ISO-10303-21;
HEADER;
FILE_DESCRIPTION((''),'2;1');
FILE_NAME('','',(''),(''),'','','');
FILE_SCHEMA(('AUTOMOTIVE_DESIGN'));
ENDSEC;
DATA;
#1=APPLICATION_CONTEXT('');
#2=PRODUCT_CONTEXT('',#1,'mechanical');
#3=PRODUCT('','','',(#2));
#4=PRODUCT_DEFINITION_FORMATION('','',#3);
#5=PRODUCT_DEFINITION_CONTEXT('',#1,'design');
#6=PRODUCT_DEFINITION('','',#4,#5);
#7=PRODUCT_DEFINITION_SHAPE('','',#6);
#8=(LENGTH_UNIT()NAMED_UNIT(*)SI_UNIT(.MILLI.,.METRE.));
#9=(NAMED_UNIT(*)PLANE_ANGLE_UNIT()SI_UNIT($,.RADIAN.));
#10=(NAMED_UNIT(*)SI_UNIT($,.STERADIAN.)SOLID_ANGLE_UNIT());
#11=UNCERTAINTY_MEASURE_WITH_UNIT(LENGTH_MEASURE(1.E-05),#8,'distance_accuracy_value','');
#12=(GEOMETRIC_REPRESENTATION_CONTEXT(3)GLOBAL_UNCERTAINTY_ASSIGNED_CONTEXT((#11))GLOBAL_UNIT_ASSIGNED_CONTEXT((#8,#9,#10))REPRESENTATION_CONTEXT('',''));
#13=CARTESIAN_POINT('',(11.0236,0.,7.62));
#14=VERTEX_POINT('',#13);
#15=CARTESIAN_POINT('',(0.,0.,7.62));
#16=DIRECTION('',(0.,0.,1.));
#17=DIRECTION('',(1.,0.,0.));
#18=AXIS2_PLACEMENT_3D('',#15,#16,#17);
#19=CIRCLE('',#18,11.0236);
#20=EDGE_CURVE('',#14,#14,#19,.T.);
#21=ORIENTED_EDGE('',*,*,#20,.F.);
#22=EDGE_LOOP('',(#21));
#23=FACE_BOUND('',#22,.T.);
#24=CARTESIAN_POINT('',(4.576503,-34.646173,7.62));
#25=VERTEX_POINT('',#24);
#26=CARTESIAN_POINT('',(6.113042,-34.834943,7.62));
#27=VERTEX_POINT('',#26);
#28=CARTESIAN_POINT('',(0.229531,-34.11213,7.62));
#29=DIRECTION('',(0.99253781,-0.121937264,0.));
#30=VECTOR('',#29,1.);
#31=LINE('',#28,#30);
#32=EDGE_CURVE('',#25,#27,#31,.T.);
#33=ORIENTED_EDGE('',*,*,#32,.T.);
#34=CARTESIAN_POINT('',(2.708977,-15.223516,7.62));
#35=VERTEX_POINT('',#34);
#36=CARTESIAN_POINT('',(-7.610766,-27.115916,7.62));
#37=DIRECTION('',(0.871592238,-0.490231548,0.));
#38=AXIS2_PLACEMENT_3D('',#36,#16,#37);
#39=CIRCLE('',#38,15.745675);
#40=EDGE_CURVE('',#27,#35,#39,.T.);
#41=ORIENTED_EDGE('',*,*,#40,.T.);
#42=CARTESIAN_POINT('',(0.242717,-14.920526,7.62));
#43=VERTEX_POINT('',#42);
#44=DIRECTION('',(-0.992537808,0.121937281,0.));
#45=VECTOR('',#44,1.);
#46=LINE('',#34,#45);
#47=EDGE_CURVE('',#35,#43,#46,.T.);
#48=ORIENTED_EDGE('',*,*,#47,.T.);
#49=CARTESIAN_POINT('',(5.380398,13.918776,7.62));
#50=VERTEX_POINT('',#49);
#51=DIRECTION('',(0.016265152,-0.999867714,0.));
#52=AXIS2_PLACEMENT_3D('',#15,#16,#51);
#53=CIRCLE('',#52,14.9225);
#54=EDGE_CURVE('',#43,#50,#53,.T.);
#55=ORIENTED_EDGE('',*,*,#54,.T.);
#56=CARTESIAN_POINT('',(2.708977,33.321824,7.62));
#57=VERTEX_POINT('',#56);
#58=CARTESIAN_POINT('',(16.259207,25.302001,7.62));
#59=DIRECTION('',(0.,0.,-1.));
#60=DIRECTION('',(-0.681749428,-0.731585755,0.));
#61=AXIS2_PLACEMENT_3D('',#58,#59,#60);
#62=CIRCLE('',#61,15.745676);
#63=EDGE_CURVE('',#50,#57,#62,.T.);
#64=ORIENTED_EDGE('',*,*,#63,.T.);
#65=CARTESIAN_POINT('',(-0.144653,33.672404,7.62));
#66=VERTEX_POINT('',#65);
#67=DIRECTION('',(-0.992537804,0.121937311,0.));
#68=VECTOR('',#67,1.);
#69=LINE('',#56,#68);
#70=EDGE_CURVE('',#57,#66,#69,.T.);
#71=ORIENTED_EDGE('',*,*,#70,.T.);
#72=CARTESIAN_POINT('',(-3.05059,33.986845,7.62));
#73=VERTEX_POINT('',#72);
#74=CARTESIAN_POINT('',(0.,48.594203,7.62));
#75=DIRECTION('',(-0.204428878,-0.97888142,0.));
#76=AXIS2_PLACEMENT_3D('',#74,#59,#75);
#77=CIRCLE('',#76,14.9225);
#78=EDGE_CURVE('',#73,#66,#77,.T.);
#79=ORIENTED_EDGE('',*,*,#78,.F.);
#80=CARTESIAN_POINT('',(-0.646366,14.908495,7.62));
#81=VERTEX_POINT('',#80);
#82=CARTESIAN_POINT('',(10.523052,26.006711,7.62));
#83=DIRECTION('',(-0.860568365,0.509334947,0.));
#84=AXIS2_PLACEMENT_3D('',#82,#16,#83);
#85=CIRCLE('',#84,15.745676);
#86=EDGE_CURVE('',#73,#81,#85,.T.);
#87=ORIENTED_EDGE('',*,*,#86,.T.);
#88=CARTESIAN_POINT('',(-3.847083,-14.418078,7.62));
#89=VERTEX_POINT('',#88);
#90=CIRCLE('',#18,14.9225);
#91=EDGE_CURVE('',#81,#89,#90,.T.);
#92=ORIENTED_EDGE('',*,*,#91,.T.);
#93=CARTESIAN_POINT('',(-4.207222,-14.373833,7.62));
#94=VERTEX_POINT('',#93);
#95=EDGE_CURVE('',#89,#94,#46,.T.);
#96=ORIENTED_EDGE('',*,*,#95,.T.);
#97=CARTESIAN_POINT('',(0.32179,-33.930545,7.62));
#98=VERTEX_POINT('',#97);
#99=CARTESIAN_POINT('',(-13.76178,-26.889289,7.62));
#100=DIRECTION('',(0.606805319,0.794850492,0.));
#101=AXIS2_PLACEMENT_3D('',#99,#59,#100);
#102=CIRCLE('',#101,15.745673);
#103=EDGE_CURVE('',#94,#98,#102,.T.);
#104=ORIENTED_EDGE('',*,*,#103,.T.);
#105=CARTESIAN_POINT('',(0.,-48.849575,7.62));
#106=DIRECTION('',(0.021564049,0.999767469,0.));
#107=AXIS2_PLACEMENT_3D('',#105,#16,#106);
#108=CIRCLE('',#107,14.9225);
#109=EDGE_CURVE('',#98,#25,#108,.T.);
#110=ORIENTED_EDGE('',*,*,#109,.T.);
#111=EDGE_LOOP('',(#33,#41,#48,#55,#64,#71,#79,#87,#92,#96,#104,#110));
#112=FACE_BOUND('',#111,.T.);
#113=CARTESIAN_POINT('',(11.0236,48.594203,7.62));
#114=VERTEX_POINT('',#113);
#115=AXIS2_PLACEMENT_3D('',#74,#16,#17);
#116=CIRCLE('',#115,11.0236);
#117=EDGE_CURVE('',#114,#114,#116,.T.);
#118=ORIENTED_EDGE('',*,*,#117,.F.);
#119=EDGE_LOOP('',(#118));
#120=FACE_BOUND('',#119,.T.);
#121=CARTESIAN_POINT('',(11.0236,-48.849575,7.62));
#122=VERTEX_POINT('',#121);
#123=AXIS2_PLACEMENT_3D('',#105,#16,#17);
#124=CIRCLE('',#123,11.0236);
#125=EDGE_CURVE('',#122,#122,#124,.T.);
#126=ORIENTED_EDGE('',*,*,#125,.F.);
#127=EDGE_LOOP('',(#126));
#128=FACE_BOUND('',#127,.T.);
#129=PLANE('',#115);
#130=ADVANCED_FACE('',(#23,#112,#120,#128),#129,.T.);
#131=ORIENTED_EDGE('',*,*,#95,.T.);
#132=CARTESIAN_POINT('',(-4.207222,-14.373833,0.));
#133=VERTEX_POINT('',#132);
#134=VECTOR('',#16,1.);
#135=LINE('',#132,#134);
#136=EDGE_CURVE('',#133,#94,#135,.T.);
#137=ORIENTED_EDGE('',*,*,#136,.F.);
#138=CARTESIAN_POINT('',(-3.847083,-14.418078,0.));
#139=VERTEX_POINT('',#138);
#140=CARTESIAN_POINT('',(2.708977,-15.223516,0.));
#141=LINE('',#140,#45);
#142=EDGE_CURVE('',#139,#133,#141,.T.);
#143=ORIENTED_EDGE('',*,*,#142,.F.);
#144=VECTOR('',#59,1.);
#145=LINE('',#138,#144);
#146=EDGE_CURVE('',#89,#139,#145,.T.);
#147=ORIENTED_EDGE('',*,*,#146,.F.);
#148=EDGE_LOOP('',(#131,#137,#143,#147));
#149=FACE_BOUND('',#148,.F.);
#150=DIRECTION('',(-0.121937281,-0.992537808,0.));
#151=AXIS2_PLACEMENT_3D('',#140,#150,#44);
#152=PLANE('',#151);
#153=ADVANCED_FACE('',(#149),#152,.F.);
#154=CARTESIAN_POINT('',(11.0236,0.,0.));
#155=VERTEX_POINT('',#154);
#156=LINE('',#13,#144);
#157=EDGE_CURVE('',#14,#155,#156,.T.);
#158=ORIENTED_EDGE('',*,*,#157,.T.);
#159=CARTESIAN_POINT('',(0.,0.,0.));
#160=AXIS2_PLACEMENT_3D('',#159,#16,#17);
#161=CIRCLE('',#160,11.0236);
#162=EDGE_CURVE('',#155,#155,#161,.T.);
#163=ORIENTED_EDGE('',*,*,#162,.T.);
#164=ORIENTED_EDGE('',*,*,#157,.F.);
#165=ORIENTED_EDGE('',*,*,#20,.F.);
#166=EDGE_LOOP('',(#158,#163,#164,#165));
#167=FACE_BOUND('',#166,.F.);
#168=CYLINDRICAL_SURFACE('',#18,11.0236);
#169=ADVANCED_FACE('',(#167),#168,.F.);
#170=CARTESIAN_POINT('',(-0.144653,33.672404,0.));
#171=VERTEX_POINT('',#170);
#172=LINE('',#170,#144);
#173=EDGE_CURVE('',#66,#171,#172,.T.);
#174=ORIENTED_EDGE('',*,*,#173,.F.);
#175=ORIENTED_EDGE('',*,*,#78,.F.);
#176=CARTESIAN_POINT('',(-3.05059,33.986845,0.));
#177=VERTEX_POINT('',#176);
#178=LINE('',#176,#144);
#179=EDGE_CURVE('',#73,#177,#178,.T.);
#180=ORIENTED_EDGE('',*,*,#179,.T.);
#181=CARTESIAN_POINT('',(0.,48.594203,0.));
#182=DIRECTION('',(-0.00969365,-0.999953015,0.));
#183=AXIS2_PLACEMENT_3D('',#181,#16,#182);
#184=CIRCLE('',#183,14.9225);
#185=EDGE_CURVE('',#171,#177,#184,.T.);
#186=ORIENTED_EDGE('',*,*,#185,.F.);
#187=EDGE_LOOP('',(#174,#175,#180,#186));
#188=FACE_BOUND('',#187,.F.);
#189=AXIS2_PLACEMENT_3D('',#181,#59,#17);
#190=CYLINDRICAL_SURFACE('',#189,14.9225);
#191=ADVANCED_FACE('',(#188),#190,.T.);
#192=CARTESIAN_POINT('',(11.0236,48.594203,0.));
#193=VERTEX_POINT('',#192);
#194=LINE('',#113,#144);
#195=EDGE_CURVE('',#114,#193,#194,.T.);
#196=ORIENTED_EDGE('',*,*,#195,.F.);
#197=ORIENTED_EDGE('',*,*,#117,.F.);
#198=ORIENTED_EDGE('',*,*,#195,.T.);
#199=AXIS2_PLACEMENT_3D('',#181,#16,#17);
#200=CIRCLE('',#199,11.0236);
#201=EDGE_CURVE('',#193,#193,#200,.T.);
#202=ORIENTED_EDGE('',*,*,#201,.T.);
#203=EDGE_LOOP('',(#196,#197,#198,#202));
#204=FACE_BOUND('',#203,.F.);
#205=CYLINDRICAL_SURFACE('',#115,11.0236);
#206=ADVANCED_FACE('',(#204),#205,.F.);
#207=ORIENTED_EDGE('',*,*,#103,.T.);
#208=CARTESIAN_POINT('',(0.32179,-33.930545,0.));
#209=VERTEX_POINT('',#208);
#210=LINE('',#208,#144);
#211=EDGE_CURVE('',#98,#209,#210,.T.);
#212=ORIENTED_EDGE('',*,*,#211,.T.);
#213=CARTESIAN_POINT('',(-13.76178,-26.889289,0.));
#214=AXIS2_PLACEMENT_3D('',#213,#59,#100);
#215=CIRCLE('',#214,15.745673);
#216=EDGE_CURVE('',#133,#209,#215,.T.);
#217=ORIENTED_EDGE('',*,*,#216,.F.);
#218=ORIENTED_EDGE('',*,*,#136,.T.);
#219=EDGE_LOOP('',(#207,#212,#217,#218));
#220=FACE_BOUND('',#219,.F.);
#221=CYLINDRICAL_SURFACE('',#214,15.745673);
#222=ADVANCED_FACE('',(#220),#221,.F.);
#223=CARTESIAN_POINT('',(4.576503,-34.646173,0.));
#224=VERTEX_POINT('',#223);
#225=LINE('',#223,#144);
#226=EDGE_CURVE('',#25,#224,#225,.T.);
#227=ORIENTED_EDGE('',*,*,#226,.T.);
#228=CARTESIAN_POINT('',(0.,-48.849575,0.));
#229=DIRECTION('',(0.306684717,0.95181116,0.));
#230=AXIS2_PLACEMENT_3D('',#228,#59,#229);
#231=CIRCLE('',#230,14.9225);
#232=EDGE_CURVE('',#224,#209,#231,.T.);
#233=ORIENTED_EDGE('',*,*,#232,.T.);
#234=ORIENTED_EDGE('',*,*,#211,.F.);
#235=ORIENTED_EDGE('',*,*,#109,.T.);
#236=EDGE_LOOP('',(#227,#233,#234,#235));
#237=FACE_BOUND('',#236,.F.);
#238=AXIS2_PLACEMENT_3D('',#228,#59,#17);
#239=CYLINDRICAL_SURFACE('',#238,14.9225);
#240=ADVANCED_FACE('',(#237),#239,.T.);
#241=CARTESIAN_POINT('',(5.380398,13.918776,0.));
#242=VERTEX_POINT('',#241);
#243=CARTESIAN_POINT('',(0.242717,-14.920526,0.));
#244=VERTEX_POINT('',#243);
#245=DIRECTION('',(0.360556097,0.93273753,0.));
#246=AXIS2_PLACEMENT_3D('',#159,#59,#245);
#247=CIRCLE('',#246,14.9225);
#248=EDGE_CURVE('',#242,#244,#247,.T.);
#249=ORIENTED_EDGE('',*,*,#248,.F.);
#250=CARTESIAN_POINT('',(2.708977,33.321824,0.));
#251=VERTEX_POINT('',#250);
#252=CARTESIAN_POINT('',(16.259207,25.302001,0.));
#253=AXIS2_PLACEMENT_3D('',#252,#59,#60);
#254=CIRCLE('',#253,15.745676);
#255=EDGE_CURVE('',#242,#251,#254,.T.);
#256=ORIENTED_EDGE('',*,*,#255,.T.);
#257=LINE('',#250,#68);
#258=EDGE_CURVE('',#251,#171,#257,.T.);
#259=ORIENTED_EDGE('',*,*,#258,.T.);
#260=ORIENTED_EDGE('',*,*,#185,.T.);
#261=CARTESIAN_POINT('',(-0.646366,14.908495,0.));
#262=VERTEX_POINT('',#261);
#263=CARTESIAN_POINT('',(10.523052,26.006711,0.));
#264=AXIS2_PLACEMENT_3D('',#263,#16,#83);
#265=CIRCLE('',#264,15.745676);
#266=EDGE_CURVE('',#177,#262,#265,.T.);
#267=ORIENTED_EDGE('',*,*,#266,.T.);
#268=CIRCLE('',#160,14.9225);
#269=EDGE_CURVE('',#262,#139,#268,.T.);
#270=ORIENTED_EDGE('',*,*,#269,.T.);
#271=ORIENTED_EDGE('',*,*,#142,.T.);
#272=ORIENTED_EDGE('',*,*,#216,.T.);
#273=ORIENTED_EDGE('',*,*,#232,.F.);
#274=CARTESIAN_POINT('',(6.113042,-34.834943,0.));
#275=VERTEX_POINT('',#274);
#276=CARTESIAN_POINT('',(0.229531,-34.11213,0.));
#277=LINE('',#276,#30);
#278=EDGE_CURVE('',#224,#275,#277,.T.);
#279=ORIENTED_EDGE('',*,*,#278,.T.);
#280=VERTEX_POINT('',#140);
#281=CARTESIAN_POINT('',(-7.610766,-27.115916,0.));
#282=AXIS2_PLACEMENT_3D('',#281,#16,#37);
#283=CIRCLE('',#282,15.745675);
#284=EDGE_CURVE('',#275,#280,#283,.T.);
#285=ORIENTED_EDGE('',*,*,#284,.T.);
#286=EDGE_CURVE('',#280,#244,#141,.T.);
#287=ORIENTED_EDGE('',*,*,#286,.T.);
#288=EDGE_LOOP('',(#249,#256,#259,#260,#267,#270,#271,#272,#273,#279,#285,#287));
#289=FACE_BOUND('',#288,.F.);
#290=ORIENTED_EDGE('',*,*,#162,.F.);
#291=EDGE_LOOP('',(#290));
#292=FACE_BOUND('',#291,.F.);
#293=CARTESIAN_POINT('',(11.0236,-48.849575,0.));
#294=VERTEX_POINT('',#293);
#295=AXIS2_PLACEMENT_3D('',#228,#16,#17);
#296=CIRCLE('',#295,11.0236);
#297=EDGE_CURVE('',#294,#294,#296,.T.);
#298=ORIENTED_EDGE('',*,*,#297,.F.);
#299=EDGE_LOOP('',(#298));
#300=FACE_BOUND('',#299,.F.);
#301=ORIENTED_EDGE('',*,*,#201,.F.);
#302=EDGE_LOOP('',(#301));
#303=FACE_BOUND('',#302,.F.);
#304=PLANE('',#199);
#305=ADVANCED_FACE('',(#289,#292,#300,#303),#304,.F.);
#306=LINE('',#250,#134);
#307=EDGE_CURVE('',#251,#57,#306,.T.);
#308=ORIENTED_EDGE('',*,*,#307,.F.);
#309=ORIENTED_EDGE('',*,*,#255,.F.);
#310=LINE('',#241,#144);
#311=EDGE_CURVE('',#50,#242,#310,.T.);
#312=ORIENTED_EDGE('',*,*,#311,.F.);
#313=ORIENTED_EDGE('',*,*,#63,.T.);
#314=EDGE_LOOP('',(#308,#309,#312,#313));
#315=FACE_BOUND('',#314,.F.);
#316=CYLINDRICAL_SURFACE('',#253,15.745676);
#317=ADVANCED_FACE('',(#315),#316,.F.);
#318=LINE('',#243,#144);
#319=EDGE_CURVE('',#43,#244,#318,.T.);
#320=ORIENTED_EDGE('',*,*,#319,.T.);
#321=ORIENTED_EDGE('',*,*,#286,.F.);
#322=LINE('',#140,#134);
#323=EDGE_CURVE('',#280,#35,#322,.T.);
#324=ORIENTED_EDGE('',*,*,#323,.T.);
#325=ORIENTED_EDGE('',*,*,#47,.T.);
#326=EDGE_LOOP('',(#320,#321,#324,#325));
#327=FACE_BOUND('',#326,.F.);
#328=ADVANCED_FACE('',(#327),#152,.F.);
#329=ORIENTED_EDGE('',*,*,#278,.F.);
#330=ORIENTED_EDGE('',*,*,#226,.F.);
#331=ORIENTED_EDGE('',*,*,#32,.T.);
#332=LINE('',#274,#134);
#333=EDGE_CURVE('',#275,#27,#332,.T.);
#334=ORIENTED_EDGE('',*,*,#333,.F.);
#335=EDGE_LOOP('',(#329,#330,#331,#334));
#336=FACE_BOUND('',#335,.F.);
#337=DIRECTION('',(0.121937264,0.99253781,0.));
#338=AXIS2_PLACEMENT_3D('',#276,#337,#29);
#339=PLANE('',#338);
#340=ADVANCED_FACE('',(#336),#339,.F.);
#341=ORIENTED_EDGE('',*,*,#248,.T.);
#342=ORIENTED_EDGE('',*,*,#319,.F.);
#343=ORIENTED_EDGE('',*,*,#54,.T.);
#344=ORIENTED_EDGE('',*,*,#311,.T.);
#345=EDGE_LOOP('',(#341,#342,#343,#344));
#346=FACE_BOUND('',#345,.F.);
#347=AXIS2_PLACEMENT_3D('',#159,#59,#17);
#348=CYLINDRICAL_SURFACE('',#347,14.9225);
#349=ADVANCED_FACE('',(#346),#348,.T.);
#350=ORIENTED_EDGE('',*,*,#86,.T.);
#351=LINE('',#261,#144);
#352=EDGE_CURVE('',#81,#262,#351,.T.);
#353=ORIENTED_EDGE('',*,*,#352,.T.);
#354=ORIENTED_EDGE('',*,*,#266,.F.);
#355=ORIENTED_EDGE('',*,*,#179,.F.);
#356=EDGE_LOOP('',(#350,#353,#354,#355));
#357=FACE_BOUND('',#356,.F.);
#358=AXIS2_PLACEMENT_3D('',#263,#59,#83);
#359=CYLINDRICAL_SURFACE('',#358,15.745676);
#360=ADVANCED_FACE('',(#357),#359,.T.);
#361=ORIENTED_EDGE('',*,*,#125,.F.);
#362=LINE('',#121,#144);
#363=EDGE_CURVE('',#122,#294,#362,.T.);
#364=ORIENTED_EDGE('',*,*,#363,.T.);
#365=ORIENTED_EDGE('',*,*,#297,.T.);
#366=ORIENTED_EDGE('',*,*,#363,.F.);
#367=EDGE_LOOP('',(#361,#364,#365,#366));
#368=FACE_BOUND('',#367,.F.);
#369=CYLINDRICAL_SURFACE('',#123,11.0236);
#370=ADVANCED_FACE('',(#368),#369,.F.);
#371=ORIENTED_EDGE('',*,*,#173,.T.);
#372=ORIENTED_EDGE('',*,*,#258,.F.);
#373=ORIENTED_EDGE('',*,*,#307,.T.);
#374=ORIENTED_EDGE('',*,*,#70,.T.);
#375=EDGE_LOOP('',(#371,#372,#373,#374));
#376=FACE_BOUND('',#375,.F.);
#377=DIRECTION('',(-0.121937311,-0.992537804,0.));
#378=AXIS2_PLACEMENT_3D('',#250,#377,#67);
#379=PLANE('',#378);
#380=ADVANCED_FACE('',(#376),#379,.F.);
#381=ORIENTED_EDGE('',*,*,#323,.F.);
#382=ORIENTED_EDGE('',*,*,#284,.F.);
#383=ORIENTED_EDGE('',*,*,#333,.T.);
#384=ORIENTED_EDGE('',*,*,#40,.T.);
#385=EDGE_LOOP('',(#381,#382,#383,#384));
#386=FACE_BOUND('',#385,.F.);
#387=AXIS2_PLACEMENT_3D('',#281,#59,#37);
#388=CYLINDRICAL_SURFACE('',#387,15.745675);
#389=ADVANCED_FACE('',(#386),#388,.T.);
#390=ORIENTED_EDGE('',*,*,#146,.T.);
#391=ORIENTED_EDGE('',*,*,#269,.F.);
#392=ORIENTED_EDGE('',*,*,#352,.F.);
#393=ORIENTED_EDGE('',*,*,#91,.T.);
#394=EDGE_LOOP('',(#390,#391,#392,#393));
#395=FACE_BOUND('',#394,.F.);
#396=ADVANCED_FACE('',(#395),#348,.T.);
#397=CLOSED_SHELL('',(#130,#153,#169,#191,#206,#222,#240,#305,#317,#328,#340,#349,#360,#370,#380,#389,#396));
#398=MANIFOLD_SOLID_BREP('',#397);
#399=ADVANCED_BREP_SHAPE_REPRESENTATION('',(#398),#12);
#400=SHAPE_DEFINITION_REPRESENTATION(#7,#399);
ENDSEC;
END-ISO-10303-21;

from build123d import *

# Parameters (mm, degrees)
F0_R      = 14.9225
F1_DEPTH  = 7.62
F2_R      = 11.0236
F3_DEPTH  = 25.4
F5_DEPTH  = 7.62
F6_DEPTH  = 7.62
F7_R      = 14.9225
F8_DEPTH  = 7.62
F9_R      = 11.0236
F10_DEPTH = 25.4


with BuildPart() as f1:
    # F0 (on Top) → F1 (new body)
    with BuildSketch(Plane.XY):
        Circle(F0_R)
    extrude(amount=F1_DEPTH)

    # F2 (on face) → F3 (cut)
    with BuildSketch(Plane.XY.offset(7.62)):
        Circle(F2_R)
    extrude(amount=-F3_DEPTH, mode=Mode.SUBTRACT)

    # F4 (on Top) → F5 (join)
    with BuildSketch(Plane.XY):
        with BuildLine():
            Line((2.708977, 33.321824), (-3.027178, 34.026534))
            ThreePointArc((-3.027178, 34.026534), (-5.061644, 23.760928), (-0.211553, 14.487399))
            Line((-0.211553, 14.487399), (5.524602, 13.782689))
            ThreePointArc((5.524602, 13.782689), (0.674511, 23.056218), (2.708977, 33.321824))
        make_face()
        with BuildLine():
            Line((0.229531, -34.11213), (6.113042, -34.834943))
            ThreePointArc((6.113042, -34.834943), (7.902941, -24.423116), (2.708977, -15.223516))
            Line((2.708977, -15.223516), (-4.207222, -14.373833))
            ThreePointArc((-4.207222, -14.373833), (1.600579, -23.436154), (0.229531, -34.11213))
        make_face()
    extrude(amount=F5_DEPTH)

    # F4 (on Top) → F6 (join)
    with BuildSketch(Plane.XY):
        with BuildLine():
            Line((2.708977, 33.321824), (-3.027178, 34.026534))
            ThreePointArc((-3.027178, 34.026534), (-5.061644, 23.760928), (-0.211553, 14.487399))
            Line((-0.211553, 14.487399), (5.524602, 13.782689))
            ThreePointArc((5.524602, 13.782689), (0.674511, 23.056218), (2.708977, 33.321824))
        make_face()
        with BuildLine():
            Line((0.229531, -34.11213), (6.113042, -34.834943))
            ThreePointArc((6.113042, -34.834943), (7.902941, -24.423116), (2.708977, -15.223516))
            Line((2.708977, -15.223516), (-4.207222, -14.373833))
            ThreePointArc((-4.207222, -14.373833), (1.600579, -23.436154), (0.229531, -34.11213))
        make_face()
    extrude(amount=F6_DEPTH)

    # F7 (on Top) → F8 (join)
    with BuildSketch(Plane.XY):
        with Locations((0, 48.594203)):
            Circle(F7_R)
        with Locations((0, -48.849575)):
            Circle(F7_R)
    extrude(amount=F8_DEPTH)

    # F9 (on face) → F10 (cut)
    with BuildSketch(Plane.XY.offset(7.62)):
        with Locations((0, 48.594203)):
            Circle(F9_R)
        with Locations((0, -48.849575)):
            Circle(F9_R)
    extrude(amount=-F10_DEPTH, mode=Mode.SUBTRACT)


solid = f1.part
